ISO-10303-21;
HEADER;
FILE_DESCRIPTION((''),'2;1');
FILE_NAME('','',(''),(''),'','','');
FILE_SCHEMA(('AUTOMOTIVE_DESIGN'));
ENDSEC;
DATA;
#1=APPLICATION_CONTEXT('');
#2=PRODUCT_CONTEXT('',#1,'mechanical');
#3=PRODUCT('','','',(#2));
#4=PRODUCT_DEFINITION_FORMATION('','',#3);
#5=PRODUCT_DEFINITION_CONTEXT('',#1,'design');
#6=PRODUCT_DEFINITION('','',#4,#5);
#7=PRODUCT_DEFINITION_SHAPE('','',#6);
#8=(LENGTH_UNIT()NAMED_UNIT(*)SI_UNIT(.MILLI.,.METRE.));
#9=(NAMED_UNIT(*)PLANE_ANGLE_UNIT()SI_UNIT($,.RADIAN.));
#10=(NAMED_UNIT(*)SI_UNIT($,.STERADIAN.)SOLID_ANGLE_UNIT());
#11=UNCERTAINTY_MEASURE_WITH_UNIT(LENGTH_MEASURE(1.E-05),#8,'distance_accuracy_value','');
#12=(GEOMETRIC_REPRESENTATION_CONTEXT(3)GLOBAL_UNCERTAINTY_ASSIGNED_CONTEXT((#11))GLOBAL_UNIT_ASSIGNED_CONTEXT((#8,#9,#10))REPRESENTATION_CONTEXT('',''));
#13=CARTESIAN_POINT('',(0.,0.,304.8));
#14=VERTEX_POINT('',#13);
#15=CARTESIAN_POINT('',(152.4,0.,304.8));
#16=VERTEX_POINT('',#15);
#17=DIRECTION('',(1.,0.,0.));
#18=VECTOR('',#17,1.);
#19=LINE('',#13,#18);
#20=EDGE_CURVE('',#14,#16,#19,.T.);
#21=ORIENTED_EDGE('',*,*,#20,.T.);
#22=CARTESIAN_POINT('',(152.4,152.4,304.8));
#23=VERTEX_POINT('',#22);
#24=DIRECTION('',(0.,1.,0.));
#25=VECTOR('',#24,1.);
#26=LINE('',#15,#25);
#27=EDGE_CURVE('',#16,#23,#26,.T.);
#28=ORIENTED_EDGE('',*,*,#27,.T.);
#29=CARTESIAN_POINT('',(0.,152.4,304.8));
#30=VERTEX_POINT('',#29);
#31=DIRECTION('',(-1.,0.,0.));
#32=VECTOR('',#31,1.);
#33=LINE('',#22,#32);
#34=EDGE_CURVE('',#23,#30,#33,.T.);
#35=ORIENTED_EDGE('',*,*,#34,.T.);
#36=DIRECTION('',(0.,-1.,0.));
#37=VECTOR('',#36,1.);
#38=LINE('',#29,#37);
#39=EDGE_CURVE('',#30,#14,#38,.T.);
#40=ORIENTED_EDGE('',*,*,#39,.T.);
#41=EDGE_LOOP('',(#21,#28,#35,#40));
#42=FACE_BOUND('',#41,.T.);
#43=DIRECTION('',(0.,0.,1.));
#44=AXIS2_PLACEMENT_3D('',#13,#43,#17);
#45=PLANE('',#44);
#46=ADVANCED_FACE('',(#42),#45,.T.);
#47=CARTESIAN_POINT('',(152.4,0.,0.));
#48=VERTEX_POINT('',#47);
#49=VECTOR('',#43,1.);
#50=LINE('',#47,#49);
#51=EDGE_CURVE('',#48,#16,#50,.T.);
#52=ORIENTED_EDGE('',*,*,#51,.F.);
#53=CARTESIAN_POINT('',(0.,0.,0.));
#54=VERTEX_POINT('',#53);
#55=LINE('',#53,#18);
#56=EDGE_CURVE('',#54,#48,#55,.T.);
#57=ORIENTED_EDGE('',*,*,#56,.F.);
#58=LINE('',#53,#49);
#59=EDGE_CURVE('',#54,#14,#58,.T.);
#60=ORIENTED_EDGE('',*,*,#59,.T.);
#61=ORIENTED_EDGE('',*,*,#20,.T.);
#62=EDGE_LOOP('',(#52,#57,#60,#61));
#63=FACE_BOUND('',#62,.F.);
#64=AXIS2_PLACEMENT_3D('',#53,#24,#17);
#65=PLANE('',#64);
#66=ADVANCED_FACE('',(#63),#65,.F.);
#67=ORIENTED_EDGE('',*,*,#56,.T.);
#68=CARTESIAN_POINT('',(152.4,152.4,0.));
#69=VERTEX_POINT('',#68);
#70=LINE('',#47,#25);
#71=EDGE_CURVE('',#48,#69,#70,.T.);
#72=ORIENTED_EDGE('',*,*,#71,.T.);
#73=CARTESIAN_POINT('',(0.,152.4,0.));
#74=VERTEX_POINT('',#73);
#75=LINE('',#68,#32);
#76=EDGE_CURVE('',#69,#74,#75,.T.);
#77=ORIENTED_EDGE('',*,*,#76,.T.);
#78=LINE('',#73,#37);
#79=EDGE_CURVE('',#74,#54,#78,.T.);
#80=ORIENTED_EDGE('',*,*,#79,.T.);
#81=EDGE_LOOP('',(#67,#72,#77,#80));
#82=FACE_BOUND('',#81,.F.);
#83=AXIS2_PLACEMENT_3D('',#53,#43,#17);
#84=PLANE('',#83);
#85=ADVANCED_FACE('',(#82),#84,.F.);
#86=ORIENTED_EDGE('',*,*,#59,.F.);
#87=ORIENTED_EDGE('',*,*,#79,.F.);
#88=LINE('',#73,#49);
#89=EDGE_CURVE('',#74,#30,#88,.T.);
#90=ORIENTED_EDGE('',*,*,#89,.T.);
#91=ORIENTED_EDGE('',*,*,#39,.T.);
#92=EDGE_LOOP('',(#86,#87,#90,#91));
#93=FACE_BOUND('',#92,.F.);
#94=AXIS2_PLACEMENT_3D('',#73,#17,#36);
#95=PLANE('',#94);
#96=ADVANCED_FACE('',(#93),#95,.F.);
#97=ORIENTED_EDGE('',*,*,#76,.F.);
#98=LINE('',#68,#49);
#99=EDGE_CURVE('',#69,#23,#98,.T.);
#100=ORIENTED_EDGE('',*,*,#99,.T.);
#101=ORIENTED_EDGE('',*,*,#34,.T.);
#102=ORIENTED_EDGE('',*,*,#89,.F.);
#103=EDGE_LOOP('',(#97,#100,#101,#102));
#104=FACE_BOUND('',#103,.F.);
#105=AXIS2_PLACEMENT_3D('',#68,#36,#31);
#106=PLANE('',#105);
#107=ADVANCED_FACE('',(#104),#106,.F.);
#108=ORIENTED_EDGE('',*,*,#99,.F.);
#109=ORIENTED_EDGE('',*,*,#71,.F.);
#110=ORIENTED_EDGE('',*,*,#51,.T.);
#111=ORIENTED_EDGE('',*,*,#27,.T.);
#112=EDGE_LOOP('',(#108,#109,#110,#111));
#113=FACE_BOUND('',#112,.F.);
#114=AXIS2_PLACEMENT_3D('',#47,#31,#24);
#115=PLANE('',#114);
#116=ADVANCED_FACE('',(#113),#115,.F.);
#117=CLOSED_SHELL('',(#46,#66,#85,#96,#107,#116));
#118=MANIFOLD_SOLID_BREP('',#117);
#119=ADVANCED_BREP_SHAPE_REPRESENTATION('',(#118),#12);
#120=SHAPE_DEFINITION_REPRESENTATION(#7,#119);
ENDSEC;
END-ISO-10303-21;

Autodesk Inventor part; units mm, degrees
ref_plane "YZ Plane" through (0, 0, 0) normal (1, 0, 0) x (0, 1, 0)
ref_plane "XZ Plane" through (0, 0, 0) normal (0, 1, 0) x (-1, 0, 0)
ref_plane "XY Plane" through (0, 0, 0) normal (0, 0, 1) x (1, 0, 0)
sketch "Sketch1" plane through (0, 0, 0) normal (0, 0, 1) x (1, 0, 0)
  line L0 (0, 0) -> (152.4, 0)
  line L1 (152.4, 0) -> (152.4, 152.4)
  line L2 (152.4, 152.4) -> (0, 152.4)
  line L3 (0, 152.4) -> (0, 0)
  dimension "d0" = 152.4
  dimension "d1" = 152.4
extrude "Extrusion1" add sketch "Sketch1" along normal blind 304.8
properties part number "56inchStick" material "Gold"
